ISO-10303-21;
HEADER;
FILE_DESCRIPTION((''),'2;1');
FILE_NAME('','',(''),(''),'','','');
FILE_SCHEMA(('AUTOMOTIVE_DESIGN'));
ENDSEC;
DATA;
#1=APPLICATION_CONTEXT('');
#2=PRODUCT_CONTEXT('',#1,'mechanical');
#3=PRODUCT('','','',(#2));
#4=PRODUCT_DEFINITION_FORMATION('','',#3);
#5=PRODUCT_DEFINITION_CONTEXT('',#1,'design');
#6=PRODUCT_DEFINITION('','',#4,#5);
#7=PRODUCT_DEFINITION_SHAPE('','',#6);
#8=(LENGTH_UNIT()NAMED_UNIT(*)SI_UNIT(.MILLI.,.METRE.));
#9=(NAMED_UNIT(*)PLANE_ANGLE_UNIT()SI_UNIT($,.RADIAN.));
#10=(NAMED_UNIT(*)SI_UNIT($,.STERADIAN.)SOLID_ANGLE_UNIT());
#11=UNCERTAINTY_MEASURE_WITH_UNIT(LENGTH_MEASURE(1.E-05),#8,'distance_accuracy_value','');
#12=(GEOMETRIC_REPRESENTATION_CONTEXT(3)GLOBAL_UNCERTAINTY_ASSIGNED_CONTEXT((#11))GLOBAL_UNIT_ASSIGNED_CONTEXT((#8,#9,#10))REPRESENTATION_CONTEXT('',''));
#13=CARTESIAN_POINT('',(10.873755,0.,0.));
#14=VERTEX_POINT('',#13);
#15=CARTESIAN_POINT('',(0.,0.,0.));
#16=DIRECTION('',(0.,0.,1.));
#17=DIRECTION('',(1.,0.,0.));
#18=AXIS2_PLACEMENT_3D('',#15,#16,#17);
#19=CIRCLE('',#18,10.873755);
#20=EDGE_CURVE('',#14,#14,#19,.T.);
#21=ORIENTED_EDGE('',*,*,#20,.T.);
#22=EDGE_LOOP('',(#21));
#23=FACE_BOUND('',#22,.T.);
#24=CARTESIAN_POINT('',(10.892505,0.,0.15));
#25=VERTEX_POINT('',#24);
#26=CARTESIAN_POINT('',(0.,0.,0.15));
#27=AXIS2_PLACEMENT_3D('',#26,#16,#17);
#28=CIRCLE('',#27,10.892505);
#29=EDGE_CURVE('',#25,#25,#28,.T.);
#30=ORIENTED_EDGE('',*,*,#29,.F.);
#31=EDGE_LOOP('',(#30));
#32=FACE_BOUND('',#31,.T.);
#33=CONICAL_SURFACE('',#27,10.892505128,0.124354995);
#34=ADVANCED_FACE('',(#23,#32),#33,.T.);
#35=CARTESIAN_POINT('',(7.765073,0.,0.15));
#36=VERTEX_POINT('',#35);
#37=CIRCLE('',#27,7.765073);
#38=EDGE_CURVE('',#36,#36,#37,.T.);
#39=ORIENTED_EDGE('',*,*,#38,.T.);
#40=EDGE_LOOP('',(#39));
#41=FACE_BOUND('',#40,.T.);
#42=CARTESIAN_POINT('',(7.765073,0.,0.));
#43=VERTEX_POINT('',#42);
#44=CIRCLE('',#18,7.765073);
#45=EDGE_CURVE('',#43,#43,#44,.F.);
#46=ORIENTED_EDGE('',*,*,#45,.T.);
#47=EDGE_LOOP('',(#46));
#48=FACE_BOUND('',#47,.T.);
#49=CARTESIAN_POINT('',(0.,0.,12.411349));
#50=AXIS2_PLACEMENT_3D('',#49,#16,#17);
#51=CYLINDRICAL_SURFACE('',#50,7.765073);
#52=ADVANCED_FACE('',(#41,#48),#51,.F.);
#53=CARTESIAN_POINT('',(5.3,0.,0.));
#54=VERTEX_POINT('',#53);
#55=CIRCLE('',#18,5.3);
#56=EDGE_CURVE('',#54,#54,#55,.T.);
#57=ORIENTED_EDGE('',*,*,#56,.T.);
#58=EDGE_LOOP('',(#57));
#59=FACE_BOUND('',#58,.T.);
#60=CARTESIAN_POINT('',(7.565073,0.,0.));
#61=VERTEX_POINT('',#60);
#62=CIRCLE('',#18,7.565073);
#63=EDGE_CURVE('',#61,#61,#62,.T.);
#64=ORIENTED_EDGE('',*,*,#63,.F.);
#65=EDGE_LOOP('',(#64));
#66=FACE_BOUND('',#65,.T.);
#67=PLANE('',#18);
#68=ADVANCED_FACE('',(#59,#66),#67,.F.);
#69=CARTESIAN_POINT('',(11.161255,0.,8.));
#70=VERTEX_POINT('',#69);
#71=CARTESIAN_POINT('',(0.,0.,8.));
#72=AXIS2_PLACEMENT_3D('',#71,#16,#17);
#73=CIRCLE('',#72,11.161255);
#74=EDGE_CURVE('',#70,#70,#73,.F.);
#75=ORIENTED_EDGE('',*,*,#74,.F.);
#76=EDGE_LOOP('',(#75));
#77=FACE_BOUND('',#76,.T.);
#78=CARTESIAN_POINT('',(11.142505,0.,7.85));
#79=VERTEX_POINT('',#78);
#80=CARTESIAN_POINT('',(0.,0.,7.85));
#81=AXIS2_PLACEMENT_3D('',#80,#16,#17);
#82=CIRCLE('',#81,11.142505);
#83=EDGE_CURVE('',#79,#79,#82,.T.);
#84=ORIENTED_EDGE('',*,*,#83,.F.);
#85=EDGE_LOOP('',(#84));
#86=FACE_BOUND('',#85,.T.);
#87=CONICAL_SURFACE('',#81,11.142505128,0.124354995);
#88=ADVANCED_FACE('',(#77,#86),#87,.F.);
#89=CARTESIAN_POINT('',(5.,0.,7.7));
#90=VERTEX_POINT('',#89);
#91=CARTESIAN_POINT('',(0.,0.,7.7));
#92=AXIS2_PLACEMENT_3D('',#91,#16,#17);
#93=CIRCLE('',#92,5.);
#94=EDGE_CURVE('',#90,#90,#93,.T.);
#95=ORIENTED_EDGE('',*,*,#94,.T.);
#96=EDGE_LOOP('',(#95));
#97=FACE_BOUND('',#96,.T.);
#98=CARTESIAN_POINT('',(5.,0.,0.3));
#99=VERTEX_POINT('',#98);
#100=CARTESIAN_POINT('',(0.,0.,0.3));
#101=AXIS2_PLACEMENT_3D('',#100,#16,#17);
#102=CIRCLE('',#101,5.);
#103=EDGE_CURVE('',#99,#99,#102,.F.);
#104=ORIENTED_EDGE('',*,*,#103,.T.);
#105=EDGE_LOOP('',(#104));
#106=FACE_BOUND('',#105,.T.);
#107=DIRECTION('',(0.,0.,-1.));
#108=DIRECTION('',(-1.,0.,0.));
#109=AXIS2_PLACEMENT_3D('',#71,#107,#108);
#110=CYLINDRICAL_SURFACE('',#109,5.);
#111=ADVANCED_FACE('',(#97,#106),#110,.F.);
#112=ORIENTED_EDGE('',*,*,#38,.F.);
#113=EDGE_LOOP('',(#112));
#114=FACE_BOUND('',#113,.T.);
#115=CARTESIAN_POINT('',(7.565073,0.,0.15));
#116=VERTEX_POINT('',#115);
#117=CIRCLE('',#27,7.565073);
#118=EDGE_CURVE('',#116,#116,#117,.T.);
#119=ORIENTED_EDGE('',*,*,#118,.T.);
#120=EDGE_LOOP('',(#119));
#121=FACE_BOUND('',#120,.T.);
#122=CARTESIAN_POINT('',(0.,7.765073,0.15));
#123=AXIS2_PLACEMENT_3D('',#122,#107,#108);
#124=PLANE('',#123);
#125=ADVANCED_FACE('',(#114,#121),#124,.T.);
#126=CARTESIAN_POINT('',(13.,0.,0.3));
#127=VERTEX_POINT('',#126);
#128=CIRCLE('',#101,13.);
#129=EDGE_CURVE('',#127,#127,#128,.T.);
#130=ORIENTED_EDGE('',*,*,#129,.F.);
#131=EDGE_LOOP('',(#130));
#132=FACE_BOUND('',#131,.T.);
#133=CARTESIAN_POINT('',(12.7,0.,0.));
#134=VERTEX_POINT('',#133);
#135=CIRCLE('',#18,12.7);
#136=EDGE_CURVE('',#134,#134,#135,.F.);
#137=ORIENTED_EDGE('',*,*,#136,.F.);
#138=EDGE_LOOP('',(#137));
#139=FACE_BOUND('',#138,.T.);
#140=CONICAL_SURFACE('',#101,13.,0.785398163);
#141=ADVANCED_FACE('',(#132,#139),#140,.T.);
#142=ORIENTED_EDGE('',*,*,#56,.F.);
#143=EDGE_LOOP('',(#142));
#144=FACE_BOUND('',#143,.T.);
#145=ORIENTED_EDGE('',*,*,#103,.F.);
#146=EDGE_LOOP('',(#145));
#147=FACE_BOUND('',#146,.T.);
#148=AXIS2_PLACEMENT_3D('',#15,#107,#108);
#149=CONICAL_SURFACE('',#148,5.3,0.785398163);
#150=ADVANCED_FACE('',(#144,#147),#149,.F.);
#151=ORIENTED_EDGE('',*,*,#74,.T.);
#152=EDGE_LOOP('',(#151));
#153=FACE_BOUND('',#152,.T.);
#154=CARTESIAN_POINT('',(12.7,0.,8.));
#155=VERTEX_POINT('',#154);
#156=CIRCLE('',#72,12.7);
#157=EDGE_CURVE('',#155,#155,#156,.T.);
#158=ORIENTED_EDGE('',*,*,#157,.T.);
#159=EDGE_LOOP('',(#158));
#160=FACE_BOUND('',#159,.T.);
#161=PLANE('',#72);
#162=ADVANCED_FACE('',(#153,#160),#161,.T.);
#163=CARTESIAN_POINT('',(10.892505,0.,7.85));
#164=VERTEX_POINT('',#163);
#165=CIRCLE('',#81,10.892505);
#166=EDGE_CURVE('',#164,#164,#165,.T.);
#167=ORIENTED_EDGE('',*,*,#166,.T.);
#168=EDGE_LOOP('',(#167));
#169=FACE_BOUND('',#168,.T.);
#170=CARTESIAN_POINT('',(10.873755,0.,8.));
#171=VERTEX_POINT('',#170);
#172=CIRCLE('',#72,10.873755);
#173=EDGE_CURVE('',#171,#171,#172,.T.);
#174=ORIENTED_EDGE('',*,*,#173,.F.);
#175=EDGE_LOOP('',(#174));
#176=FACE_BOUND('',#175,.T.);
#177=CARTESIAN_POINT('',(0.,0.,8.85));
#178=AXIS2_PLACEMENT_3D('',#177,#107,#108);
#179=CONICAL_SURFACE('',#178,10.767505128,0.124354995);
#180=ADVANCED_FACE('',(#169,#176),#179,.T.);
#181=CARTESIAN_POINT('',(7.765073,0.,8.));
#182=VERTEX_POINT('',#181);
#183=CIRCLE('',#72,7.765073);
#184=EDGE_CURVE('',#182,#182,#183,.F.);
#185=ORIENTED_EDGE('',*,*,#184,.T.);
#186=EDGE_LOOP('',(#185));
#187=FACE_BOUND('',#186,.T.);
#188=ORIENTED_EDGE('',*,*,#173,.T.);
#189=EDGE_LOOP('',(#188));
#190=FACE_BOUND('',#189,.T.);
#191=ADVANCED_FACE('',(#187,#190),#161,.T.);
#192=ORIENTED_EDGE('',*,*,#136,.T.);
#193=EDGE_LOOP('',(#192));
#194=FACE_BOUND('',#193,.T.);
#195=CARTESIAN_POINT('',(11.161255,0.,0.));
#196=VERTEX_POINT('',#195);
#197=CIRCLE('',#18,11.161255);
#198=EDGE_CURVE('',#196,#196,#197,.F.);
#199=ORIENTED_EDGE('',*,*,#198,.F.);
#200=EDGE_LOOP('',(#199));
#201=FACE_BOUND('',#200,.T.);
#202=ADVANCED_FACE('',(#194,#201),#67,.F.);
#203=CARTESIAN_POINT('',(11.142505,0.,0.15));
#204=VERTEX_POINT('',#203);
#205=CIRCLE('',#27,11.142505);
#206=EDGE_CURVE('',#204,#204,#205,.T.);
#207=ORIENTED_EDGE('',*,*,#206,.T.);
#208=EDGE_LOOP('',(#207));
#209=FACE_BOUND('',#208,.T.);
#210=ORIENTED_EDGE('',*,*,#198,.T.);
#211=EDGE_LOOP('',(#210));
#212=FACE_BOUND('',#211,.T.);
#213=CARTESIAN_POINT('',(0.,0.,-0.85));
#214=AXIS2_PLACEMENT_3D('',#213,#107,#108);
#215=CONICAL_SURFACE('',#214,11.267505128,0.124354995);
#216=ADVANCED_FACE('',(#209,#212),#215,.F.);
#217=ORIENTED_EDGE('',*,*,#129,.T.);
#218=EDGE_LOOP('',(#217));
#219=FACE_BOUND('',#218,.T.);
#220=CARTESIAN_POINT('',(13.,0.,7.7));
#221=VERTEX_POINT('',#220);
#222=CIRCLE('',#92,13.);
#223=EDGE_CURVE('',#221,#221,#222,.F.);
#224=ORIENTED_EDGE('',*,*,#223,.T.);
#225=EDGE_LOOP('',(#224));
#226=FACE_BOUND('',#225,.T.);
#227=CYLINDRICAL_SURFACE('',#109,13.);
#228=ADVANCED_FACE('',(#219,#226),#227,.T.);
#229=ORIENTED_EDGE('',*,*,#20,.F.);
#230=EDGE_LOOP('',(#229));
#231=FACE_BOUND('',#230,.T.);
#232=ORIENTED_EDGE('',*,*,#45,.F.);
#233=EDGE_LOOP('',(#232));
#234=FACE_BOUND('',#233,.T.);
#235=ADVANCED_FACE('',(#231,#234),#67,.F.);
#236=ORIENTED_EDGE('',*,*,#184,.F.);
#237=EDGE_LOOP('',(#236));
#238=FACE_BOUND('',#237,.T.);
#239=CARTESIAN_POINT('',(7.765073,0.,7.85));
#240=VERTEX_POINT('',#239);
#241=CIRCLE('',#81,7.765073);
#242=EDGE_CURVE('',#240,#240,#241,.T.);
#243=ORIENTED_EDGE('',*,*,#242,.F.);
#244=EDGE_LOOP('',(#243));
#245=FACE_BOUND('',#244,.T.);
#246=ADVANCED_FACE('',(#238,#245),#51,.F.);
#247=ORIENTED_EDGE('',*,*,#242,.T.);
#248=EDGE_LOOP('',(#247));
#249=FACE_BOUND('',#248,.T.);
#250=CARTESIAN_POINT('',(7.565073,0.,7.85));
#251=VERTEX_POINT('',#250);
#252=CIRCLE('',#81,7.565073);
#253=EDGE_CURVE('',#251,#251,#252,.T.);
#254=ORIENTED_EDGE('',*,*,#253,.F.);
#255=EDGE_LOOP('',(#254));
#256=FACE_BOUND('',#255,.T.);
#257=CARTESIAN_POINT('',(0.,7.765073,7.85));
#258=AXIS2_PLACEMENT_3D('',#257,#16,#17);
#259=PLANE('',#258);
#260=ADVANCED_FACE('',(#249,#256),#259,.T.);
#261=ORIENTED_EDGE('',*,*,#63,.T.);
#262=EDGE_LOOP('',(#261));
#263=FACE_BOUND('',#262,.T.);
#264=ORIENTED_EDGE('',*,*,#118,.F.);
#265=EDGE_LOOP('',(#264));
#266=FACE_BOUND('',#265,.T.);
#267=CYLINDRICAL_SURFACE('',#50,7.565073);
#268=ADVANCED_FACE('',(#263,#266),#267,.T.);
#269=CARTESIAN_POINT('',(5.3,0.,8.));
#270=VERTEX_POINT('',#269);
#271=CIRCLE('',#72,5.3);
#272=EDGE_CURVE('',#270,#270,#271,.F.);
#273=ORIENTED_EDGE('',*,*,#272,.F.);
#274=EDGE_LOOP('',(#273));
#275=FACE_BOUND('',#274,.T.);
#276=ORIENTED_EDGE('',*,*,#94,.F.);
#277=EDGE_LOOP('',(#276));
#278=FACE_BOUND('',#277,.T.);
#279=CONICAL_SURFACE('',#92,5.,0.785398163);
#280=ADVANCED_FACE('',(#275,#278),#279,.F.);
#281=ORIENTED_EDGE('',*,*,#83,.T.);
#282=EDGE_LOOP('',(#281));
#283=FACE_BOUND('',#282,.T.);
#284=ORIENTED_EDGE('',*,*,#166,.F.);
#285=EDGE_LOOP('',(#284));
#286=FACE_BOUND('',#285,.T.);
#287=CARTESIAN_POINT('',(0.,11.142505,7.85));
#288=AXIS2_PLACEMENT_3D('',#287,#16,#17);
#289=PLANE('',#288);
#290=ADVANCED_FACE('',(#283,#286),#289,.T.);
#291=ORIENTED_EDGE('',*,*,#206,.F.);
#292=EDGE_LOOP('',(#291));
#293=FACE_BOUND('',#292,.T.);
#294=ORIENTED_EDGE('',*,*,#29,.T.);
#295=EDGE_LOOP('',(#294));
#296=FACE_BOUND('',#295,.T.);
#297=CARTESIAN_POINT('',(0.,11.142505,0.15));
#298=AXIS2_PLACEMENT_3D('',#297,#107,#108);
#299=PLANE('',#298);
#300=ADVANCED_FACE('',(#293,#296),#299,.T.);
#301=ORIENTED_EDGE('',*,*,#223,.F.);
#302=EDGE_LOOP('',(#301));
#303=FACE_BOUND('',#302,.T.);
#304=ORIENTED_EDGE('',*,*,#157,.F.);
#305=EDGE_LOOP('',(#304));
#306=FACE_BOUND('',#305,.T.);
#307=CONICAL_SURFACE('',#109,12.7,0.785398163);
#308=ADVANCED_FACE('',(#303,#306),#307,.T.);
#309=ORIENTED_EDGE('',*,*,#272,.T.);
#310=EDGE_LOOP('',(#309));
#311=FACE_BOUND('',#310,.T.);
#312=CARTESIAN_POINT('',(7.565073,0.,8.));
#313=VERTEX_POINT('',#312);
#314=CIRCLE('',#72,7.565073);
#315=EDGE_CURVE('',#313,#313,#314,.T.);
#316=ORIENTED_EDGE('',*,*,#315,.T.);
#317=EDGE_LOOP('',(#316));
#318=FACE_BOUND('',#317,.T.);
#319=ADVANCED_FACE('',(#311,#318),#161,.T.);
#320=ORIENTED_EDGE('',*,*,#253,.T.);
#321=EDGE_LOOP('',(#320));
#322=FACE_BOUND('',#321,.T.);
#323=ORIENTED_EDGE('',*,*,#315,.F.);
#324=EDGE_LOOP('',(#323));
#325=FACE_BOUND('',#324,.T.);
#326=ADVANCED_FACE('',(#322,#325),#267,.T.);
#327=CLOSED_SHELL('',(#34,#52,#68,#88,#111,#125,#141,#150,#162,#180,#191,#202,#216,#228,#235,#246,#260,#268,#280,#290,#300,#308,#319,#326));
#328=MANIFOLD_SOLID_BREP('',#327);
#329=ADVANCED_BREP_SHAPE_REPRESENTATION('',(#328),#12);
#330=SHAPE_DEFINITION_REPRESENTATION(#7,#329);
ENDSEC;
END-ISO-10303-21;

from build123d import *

# Parameters (mm, degrees)
CROQUIS1_R              = 13
CROQUIS1_R_2            = 5
SALIENTE_EXTRUIR1_DEPTH = 8
CHAFL_N1_SIZE           = 0.3
CROQUIS2_W              = 1
CROQUIS2_H              = 0.2


with BuildPart() as part:
    # Croquis1 → Saliente-Extruir1 (new body)
    with BuildSketch(Plane.XY):
        Circle(CROQUIS1_R)
        Circle(CROQUIS1_R_2, mode=Mode.SUBTRACT)
    extrude(amount=SALIENTE_EXTRUIR1_DEPTH)

    # Chaflán1
    chafl_n1_edges = [part.edges().sort_by_distance(p)[0] for p in [
        (-13, 0, 0),
        (-13, 0, 8),
        (-5, 0, 0),
        (-5, 0, 8),
    ]]
    chamfer(chafl_n1_edges, length=CHAFL_N1_SIZE)

    # Croquis2 → Cortar-Revolución1 (revolve, cut)
    with BuildSketch(Plane(origin=(0, 0, 0), x_dir=(0, 0, -1), z_dir=(1, 0, 0))):
        Polygon((-8.85, 11.267505128), (-7.85, 11.142505128), (-7.85, 10.892505128), (-8.85, 10.767505128), align=None)
        Polygon((0.85, 10.767505128), (0.85, 11.267505128), (-0.15, 11.142505128), (-0.15, 10.892505128), align=None)
        with Locations((-8.35, 7.665073065)):
            Rectangle(CROQUIS2_W, CROQUIS2_H)
        with Locations((0.35, 7.665073065)):
            Rectangle(CROQUIS2_W, CROQUIS2_H)
    revolve(axis=Axis((0, 0, 12.411349243), (0, 0, -1)), mode=Mode.SUBTRACT)


solid = part.part
